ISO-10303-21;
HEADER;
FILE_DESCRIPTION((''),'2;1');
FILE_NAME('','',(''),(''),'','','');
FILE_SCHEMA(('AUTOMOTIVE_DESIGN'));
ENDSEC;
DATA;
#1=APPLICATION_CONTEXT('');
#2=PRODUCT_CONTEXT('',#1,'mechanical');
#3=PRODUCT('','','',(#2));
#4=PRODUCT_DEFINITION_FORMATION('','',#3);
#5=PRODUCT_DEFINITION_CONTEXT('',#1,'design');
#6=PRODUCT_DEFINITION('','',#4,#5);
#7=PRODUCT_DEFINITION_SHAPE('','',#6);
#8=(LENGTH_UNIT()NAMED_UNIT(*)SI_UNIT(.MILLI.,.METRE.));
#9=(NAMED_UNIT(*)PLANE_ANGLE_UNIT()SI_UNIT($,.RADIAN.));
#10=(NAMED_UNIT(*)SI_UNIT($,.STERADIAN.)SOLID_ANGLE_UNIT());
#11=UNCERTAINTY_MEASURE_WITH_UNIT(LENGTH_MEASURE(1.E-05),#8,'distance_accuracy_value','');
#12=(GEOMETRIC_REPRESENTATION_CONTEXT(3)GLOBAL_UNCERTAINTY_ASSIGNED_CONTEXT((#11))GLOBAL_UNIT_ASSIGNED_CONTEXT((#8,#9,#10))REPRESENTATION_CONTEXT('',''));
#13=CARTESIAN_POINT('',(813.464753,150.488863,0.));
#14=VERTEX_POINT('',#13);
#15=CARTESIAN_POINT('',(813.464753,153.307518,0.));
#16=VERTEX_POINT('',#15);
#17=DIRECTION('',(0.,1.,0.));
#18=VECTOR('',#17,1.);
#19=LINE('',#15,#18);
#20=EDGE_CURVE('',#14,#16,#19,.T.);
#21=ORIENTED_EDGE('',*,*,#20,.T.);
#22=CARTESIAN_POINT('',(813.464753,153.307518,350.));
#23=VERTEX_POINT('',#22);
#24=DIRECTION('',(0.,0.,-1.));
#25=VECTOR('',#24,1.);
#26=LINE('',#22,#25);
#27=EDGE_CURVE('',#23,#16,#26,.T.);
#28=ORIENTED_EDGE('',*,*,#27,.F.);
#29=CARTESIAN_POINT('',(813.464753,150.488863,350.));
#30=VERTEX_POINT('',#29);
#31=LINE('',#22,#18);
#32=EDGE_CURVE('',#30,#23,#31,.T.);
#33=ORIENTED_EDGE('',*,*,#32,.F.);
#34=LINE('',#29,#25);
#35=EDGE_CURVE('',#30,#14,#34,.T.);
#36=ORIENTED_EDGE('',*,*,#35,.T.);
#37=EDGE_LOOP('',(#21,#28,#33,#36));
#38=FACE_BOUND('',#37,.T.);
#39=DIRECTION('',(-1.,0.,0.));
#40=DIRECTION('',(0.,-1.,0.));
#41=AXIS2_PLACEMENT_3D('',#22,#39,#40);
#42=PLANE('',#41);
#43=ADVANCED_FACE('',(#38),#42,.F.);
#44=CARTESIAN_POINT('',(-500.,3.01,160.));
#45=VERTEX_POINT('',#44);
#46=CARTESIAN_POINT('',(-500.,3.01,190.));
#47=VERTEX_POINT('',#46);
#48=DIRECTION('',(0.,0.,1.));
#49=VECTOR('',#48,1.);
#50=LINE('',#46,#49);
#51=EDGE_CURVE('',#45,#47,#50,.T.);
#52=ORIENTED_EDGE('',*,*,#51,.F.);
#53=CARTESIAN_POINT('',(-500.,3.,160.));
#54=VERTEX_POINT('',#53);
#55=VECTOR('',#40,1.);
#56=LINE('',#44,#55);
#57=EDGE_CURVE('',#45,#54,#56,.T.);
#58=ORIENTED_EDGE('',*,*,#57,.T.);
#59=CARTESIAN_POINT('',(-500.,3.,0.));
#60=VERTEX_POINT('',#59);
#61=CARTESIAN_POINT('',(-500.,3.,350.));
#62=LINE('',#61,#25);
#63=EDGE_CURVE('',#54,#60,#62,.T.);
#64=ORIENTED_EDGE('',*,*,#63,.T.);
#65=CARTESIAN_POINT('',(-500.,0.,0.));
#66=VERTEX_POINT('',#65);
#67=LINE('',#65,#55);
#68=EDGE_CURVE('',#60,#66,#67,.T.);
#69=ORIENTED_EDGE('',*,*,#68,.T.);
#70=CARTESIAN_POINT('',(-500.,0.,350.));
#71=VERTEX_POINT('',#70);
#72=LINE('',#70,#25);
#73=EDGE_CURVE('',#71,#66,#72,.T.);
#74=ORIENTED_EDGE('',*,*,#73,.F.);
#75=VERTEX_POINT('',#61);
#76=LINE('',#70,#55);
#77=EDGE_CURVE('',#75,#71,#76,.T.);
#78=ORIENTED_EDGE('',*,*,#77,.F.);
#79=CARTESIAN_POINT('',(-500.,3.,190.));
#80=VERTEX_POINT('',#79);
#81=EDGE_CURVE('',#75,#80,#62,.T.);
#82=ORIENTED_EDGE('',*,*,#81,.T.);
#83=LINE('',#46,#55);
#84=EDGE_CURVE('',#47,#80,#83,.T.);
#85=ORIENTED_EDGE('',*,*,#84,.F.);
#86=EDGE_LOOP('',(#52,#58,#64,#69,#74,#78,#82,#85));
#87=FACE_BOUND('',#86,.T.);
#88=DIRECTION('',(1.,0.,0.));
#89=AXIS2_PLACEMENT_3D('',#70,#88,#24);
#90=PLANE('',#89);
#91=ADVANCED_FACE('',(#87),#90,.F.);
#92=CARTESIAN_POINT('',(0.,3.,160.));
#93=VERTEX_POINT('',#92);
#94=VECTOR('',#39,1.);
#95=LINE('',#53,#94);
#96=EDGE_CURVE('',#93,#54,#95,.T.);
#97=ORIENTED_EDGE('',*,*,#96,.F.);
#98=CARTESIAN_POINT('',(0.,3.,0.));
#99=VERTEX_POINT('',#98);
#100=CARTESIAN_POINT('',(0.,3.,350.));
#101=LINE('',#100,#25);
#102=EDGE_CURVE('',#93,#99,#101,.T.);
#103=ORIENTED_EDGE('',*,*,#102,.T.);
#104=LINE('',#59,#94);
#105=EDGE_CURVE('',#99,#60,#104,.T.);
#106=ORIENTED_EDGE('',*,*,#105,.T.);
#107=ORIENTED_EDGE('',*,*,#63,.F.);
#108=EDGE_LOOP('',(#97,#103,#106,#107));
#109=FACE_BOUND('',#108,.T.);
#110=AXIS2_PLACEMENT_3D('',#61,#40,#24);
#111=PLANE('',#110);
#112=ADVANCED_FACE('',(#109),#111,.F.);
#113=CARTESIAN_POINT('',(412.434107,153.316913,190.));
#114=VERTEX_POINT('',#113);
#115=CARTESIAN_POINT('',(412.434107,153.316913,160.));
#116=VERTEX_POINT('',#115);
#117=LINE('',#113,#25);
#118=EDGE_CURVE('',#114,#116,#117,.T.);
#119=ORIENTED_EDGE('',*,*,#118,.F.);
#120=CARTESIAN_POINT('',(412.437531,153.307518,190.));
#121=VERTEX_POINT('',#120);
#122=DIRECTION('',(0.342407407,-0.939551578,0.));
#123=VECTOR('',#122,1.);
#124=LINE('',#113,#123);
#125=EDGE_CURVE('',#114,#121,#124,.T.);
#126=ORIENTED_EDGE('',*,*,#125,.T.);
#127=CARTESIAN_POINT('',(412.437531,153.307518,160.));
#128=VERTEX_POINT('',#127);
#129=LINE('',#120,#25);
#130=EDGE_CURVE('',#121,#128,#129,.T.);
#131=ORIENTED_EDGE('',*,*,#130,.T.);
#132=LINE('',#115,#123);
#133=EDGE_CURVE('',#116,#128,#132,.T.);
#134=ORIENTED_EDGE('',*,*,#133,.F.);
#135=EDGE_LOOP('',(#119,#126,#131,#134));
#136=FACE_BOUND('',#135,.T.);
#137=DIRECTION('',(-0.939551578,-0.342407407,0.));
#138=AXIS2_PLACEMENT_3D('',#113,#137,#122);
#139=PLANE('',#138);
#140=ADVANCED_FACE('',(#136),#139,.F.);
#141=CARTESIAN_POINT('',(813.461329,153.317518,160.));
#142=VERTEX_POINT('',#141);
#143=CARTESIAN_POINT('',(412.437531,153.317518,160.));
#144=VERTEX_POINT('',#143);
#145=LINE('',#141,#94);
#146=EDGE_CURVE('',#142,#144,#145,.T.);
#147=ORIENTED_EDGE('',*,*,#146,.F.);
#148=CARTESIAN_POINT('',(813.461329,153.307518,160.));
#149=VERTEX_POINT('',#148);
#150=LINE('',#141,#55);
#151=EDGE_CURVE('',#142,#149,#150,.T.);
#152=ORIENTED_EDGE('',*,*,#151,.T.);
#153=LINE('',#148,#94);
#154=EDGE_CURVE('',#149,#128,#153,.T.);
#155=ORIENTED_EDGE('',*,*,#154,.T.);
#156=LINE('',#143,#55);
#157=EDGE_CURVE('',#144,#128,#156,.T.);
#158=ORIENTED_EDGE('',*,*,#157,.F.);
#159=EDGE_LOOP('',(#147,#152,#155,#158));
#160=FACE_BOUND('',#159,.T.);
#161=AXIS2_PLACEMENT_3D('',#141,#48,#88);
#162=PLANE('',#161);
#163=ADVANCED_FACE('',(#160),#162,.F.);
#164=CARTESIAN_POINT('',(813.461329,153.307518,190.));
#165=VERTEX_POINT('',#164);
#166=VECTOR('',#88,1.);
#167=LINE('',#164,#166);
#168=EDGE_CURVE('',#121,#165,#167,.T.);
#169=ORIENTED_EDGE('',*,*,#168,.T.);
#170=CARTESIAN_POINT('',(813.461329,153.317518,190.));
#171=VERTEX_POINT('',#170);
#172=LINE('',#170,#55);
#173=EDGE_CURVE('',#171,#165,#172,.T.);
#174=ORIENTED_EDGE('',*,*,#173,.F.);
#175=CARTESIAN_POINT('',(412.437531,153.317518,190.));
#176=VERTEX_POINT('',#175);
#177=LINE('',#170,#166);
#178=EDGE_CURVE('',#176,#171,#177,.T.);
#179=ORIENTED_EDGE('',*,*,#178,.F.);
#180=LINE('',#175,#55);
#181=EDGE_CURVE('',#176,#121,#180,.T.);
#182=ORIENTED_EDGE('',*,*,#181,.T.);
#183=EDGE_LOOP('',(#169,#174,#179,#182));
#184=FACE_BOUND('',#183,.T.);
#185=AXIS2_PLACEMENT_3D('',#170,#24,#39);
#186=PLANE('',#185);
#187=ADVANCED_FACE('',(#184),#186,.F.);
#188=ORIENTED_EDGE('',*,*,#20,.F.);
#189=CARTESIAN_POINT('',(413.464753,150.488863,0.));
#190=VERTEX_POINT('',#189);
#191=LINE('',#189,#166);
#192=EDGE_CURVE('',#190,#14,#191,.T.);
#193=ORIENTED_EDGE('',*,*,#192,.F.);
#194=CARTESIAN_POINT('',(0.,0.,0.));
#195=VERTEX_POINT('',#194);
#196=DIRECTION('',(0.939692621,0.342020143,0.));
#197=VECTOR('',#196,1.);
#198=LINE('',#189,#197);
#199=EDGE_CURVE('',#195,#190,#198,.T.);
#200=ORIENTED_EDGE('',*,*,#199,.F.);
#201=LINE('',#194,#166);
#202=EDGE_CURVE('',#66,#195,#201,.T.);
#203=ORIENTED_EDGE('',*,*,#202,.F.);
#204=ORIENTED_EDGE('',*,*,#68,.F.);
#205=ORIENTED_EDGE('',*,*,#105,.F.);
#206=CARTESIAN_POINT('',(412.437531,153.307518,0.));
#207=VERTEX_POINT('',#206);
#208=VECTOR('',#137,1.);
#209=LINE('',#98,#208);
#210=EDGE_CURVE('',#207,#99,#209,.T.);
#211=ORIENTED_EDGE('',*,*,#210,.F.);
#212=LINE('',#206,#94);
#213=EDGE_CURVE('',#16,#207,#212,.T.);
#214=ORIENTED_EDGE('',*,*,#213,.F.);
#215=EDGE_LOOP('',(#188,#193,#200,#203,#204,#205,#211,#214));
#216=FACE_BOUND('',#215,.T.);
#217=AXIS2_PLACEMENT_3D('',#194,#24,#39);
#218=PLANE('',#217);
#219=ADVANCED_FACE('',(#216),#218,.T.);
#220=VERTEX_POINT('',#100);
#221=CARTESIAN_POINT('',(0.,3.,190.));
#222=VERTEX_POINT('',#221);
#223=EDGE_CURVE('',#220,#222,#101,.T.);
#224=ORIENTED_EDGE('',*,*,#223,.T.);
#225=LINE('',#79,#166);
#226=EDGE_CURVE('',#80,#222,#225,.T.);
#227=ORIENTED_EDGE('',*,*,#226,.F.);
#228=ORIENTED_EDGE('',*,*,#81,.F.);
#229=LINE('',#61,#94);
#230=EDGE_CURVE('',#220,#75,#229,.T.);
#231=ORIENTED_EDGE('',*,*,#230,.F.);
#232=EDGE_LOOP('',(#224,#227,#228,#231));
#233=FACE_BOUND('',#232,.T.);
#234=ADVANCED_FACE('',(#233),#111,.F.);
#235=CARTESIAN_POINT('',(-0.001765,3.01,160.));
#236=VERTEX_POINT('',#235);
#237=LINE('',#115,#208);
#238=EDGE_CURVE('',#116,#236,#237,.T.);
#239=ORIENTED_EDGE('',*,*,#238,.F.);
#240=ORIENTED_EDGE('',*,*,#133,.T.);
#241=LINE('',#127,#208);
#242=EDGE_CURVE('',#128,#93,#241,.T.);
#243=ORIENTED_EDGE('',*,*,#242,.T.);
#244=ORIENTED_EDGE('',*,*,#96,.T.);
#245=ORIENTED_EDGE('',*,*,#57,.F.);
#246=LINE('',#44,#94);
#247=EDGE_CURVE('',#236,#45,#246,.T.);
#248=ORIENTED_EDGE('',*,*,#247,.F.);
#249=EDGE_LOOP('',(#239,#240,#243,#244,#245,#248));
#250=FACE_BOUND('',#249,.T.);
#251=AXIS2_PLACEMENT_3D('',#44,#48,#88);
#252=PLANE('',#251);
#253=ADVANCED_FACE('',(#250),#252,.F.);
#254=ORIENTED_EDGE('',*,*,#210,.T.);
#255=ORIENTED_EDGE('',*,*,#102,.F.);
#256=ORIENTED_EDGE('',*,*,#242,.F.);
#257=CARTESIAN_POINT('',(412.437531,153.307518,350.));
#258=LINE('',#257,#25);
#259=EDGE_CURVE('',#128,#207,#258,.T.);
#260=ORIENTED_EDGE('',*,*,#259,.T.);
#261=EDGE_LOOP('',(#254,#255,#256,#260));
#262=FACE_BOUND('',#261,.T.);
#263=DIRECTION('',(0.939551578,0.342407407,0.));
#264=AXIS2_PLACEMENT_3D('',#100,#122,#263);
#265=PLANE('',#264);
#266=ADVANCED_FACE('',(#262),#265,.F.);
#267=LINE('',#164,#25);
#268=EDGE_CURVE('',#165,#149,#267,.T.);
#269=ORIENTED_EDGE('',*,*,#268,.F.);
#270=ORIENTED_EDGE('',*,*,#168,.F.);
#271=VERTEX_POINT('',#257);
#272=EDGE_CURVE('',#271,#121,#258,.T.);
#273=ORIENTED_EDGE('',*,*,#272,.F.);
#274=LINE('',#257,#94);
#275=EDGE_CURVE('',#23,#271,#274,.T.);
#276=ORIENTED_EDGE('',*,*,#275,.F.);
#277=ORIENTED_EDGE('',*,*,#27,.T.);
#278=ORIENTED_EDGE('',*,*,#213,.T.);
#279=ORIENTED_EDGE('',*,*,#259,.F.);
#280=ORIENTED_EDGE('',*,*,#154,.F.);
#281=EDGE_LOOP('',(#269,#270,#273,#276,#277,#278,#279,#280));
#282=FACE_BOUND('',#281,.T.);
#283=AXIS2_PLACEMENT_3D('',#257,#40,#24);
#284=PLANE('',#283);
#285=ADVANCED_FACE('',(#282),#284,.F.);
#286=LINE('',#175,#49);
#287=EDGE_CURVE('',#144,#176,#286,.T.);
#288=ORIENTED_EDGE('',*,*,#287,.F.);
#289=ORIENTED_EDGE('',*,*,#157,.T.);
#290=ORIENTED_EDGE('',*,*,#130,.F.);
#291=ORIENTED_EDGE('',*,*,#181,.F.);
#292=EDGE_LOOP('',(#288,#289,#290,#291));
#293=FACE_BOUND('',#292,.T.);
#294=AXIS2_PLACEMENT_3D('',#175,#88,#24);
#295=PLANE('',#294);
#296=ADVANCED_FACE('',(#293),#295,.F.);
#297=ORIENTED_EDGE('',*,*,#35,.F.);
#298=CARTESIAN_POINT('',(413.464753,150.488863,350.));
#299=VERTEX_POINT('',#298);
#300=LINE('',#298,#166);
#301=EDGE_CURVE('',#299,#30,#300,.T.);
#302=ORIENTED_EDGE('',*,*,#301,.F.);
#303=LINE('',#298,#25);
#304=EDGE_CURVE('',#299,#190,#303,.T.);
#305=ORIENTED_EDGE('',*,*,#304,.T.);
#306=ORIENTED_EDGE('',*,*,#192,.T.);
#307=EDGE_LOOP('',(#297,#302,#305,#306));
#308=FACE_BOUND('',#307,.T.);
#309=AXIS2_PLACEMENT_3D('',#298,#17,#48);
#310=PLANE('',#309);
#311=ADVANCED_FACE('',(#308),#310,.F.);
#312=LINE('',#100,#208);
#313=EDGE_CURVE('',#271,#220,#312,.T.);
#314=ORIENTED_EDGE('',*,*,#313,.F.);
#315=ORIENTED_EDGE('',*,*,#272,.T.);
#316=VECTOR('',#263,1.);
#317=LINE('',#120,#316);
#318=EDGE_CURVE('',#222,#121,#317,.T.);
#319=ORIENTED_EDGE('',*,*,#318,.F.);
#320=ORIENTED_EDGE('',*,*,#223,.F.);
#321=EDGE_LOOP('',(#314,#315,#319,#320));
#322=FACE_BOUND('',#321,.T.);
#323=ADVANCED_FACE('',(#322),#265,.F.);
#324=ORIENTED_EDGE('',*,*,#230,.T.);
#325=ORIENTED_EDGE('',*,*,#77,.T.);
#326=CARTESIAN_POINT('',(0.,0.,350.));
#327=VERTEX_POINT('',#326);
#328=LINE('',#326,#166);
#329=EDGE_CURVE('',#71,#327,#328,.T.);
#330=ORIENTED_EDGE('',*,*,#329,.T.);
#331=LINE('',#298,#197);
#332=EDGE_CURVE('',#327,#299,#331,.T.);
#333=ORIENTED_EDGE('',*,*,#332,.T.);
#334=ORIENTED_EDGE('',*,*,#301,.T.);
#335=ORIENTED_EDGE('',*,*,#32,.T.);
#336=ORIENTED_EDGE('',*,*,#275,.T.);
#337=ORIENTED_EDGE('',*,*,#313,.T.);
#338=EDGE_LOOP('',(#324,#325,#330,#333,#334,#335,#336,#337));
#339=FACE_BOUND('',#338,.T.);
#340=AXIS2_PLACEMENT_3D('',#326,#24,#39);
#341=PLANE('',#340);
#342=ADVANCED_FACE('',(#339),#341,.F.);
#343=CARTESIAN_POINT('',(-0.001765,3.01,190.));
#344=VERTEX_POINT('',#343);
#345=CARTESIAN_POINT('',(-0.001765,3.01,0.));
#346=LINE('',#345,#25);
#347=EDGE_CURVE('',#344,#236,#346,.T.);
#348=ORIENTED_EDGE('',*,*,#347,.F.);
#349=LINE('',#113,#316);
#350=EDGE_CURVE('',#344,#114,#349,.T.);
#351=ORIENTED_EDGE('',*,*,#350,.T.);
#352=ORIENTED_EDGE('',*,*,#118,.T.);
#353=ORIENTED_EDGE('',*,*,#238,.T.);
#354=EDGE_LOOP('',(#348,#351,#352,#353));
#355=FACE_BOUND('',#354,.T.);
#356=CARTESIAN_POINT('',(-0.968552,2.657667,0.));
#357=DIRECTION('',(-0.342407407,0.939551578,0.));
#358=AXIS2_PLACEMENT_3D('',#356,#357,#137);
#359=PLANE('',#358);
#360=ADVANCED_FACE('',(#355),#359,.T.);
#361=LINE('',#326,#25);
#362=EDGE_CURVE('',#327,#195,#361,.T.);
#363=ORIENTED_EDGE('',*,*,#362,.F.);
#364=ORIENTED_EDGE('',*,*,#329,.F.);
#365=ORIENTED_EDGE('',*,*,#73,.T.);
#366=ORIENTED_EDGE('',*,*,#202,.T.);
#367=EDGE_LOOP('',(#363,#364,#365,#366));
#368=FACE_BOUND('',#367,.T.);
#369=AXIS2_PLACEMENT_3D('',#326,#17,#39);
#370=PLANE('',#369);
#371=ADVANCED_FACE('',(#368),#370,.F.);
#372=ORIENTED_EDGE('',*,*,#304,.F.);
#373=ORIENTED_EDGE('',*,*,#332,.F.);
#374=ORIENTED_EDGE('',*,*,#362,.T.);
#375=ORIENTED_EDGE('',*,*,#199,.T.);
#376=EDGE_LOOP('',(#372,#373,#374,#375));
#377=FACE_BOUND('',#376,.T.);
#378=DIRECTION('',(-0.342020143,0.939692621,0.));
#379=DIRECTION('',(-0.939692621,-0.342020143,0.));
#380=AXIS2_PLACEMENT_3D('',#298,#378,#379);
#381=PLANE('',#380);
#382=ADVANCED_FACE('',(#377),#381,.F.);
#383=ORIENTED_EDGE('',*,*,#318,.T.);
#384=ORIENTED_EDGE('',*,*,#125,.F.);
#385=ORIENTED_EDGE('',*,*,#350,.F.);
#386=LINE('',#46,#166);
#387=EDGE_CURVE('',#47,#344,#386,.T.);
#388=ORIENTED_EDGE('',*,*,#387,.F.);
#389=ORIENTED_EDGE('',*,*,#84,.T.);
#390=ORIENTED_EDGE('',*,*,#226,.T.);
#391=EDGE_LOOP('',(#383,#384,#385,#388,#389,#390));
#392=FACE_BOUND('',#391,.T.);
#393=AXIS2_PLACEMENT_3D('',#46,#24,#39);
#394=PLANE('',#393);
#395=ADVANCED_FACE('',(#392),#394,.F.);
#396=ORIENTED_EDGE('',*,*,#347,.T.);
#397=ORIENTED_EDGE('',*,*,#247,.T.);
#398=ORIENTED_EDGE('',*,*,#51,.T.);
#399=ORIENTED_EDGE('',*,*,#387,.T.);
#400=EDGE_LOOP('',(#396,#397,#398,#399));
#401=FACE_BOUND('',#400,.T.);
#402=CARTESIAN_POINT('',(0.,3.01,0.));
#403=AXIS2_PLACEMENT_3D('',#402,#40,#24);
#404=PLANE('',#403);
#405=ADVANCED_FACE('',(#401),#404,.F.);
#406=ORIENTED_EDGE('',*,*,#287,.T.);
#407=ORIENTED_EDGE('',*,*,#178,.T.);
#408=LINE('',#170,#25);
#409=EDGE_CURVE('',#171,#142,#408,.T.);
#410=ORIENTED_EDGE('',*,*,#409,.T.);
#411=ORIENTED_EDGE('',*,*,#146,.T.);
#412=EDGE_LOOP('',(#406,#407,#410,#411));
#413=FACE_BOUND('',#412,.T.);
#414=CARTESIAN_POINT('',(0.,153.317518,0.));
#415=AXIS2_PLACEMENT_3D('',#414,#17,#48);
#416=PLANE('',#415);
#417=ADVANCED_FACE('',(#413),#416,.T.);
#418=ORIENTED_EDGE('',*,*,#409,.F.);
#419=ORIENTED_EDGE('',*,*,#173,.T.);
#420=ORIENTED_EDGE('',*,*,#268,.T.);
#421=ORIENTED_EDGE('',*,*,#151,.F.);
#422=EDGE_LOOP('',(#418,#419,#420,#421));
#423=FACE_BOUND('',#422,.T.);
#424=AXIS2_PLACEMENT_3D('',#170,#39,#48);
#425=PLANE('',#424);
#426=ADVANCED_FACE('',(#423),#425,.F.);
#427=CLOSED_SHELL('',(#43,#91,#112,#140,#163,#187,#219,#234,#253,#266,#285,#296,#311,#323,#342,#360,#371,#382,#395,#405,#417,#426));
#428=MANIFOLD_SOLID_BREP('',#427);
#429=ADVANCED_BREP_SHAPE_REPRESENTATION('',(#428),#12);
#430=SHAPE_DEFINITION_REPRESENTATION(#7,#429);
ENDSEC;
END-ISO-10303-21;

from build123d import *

# Parameters (mm, degrees)
BOSS_EXTRUDE3_DEPTH = 350
SKETCH5_W           = 500
SKETCH5_H           = 30
BOSS_EXTRUDE4_DEPTH = 0.01
SKETCH6_W           = 438.972740408
SKETCH6_H           = 30
BOSS_EXTRUDE5_DEPTH = 0.01
SKETCH7_W           = 401.023798147
SKETCH7_H           = 30
BOSS_EXTRUDE6_DEPTH = 0.01


with BuildPart() as part:
    # Sketch2 → Boss-Extrude3 (new body)
    with BuildSketch(Plane.XY):
        Polygon((0, 0), (-500, 0), (-500, 3), (0, 3), (412.437530925, 153.307517797), (813.464753146, 153.307517797), (813.464753146, 150.488863063), (413.464753146, 150.488863063), align=None)
    extrude(amount=BOSS_EXTRUDE3_DEPTH)

    # Sketch5 → Boss-Extrude4 (add)
    with BuildSketch(Plane(origin=(0, 3, 0), x_dir=(1, 0, 0), z_dir=(0, 1, 0))):
        with Locations((-250, -175)):
            Rectangle(SKETCH5_W, SKETCH5_H)
    extrude(amount=BOSS_EXTRUDE4_DEPTH)

    # Sketch6 → Boss-Extrude5 (add)
    with BuildSketch(Plane(origin=(-0.965128259, 2.648271503, 0), x_dir=(0.9395515779432226, 0.34240740702327194, 0), z_dir=(-0.34240740702327194, 0.9395515779432226, 0))):
        with Locations((220.513592425, -175)):
            Rectangle(SKETCH6_W, SKETCH6_H)
    extrude(amount=BOSS_EXTRUDE5_DEPTH)

    # Sketch7 → Boss-Extrude6 (add)
    with BuildSketch(Plane(origin=(0, 153.307517797, 0), x_dir=(1, 0, 0), z_dir=(0, 1, 0))):
        with Locations((612.949429999, -175)):
            Rectangle(SKETCH7_W, SKETCH7_H)
    extrude(amount=BOSS_EXTRUDE6_DEPTH)


solid = part.part
